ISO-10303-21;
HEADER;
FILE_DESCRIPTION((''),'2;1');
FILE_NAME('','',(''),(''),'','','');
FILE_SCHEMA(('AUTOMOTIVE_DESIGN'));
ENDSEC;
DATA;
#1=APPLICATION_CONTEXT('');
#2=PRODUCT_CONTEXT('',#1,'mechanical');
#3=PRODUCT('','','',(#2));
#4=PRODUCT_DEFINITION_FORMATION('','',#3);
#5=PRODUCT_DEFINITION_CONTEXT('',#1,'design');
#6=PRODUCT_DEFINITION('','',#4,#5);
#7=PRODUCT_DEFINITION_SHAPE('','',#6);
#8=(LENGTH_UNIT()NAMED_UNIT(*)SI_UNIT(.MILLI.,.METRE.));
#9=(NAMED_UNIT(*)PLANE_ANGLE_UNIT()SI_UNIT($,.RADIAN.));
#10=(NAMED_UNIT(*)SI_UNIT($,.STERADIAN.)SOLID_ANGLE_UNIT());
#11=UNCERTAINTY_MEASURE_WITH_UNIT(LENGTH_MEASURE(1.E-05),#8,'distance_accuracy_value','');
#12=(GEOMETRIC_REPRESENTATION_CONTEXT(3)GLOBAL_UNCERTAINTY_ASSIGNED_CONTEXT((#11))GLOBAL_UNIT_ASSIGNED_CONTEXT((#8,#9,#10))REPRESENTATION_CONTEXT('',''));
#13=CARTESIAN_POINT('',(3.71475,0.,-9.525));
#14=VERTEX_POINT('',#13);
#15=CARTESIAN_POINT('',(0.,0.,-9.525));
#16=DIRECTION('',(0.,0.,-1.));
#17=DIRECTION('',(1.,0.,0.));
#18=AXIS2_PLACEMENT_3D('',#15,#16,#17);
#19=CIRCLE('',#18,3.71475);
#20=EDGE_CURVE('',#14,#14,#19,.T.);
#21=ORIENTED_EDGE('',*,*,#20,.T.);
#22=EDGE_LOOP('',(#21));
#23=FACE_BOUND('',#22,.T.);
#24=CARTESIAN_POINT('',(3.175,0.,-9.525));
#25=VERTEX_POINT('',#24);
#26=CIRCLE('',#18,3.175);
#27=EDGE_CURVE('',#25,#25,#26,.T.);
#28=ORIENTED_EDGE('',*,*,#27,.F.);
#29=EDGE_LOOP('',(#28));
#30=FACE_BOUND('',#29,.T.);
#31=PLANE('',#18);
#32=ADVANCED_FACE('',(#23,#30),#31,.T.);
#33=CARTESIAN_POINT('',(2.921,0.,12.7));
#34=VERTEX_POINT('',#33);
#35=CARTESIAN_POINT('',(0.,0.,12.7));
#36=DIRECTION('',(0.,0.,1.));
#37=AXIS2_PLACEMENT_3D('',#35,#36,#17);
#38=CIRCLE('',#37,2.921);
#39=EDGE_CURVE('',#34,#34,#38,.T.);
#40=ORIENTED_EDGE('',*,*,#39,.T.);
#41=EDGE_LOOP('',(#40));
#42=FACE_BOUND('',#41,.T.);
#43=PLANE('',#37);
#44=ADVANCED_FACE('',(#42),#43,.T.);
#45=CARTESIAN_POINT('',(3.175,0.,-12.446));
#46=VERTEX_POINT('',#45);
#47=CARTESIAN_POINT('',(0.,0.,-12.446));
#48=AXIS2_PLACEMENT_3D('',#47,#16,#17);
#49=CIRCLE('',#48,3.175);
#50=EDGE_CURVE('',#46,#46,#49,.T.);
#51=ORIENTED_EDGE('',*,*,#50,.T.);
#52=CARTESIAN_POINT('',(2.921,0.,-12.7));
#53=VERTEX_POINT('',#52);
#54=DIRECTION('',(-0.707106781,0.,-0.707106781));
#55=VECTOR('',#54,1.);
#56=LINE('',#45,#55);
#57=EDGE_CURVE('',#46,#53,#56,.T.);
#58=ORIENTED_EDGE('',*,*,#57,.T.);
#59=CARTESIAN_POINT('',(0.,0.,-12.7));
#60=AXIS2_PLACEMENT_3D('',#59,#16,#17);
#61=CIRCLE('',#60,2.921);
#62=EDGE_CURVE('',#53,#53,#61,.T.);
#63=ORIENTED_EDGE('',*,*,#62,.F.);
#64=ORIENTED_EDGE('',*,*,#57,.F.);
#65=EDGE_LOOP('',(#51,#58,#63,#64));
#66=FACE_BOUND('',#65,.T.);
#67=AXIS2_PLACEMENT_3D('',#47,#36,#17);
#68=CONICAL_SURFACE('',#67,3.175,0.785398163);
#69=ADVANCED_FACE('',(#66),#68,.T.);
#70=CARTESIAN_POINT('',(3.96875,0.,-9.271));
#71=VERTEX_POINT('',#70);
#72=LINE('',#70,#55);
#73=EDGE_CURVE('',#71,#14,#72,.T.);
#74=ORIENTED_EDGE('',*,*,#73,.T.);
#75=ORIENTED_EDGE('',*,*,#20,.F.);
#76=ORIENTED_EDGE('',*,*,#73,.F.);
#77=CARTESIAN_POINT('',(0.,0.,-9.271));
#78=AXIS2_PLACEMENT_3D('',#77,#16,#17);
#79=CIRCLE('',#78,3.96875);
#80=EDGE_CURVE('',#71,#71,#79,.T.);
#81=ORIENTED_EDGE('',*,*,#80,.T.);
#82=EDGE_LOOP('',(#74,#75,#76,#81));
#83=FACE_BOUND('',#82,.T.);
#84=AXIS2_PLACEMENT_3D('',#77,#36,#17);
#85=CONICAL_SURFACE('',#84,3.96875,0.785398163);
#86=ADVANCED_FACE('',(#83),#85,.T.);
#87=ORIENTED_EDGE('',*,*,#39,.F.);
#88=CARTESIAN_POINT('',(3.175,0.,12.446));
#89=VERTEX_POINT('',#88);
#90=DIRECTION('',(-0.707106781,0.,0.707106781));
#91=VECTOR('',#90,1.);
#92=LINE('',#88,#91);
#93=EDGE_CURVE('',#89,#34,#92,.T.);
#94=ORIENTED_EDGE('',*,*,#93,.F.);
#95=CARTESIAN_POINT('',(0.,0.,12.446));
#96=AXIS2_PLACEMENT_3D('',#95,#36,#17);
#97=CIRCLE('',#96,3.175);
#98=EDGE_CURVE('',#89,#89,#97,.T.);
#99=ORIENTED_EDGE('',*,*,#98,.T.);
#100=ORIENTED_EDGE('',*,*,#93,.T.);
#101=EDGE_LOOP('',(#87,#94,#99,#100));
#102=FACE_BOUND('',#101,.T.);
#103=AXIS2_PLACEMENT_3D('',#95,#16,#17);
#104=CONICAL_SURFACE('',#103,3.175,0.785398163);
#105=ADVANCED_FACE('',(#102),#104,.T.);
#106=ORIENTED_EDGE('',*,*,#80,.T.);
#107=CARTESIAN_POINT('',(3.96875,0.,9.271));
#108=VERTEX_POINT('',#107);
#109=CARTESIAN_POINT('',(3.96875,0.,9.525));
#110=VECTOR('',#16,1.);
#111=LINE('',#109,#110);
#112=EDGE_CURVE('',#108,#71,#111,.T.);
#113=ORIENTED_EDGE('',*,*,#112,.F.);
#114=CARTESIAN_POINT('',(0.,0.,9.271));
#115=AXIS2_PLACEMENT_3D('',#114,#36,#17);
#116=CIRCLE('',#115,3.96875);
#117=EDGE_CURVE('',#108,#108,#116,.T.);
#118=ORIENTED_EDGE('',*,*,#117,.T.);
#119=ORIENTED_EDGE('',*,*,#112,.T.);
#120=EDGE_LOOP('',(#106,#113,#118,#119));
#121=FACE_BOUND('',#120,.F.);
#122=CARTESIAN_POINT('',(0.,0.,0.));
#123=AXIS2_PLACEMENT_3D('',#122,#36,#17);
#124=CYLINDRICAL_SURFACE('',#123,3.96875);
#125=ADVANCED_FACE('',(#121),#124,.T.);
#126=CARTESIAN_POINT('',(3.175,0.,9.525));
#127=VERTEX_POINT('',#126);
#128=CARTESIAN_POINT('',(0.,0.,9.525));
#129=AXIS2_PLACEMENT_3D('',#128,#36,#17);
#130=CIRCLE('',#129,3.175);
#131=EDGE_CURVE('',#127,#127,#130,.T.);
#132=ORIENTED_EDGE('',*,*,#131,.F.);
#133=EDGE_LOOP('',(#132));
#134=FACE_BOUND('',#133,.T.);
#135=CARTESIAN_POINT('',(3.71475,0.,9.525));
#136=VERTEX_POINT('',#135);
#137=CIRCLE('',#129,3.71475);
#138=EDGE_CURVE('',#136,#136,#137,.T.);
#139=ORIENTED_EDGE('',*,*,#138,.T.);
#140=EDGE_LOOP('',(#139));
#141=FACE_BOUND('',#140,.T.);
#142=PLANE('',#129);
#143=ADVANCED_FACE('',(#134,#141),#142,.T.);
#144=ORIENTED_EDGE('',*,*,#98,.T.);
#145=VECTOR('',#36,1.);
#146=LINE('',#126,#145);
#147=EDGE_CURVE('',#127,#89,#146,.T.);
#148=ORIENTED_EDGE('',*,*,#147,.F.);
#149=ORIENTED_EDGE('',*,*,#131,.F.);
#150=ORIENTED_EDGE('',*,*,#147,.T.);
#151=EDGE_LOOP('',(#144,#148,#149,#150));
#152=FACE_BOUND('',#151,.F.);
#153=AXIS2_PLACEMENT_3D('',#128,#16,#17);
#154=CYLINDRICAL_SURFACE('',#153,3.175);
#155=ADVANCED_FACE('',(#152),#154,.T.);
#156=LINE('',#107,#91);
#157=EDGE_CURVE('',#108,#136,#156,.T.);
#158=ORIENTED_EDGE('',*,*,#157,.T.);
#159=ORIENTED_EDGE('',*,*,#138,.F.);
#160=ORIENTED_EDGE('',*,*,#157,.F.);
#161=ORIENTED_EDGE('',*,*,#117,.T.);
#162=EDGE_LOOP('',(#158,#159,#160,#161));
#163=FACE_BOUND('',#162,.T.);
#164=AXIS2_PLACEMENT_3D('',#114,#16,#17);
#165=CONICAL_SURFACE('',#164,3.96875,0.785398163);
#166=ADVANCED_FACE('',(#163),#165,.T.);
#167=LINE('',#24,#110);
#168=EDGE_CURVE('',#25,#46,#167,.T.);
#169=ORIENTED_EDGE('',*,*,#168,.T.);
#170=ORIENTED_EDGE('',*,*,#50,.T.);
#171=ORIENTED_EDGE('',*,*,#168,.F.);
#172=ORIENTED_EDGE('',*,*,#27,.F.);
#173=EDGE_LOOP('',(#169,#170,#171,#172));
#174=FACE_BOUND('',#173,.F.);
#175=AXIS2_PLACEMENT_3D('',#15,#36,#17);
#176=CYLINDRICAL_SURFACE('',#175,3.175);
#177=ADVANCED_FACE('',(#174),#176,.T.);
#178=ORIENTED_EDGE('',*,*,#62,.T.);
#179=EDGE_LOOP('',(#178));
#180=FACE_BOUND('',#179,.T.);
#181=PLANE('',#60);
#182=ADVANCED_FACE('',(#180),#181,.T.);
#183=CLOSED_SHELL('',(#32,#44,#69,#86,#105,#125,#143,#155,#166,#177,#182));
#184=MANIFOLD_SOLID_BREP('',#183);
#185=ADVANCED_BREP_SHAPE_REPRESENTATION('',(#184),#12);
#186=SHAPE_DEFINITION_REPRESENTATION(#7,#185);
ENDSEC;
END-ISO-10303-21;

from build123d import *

# Parameters (mm, degrees)
F0_R     = 3.96875
F1_DEPTH = 9.525
F2_R     = 3.175
F3_DEPTH = 3.175
F4_R     = 3.96875
F5_DEPTH = 9.525
F6_R     = 3.175
F7_DEPTH = 3.175
F8_SIZE  = 0.254


with BuildPart() as f1:
    # F0 (on Top) → F1 (new body)
    with BuildSketch(Plane.XY):
        Circle(F0_R)
    extrude(amount=F1_DEPTH)



with BuildPart() as f3:
    # F2 (on face) → F3 (new body)
    with BuildSketch(Plane(origin=(0, 0, -9.525), x_dir=(1, 0, 0), z_dir=(0, 0, -1))):
        Circle(F2_R)
    extrude(amount=F3_DEPTH)


with BuildPart() as f1_1:
    add(f1.part)

    add(f3.part)  # F5 merges F3
    # F4 (on face) → F5 (join)
    with BuildSketch(Plane(origin=(0, 0, 0), x_dir=(1, 0, 0), z_dir=(0, 0, -1))):
        Circle(F4_R)
    extrude(amount=F5_DEPTH)

    # F6 (on face) → F7 (join)
    with BuildSketch(Plane.XY.offset(9.525)):
        Circle(F6_R)
    extrude(amount=F7_DEPTH)

    # F8
    f8_edges = [f1_1.edges().sort_by_distance(p)[0] for p in [
        (-3.175, 0, -12.7),
        (-3.96875, 0, 9.525),
        (-3.96875, 0, -9.525),
        (-3.175, 0, 12.7),
    ]]
    chamfer(f8_edges, length=F8_SIZE)


solid = f1_1.part
